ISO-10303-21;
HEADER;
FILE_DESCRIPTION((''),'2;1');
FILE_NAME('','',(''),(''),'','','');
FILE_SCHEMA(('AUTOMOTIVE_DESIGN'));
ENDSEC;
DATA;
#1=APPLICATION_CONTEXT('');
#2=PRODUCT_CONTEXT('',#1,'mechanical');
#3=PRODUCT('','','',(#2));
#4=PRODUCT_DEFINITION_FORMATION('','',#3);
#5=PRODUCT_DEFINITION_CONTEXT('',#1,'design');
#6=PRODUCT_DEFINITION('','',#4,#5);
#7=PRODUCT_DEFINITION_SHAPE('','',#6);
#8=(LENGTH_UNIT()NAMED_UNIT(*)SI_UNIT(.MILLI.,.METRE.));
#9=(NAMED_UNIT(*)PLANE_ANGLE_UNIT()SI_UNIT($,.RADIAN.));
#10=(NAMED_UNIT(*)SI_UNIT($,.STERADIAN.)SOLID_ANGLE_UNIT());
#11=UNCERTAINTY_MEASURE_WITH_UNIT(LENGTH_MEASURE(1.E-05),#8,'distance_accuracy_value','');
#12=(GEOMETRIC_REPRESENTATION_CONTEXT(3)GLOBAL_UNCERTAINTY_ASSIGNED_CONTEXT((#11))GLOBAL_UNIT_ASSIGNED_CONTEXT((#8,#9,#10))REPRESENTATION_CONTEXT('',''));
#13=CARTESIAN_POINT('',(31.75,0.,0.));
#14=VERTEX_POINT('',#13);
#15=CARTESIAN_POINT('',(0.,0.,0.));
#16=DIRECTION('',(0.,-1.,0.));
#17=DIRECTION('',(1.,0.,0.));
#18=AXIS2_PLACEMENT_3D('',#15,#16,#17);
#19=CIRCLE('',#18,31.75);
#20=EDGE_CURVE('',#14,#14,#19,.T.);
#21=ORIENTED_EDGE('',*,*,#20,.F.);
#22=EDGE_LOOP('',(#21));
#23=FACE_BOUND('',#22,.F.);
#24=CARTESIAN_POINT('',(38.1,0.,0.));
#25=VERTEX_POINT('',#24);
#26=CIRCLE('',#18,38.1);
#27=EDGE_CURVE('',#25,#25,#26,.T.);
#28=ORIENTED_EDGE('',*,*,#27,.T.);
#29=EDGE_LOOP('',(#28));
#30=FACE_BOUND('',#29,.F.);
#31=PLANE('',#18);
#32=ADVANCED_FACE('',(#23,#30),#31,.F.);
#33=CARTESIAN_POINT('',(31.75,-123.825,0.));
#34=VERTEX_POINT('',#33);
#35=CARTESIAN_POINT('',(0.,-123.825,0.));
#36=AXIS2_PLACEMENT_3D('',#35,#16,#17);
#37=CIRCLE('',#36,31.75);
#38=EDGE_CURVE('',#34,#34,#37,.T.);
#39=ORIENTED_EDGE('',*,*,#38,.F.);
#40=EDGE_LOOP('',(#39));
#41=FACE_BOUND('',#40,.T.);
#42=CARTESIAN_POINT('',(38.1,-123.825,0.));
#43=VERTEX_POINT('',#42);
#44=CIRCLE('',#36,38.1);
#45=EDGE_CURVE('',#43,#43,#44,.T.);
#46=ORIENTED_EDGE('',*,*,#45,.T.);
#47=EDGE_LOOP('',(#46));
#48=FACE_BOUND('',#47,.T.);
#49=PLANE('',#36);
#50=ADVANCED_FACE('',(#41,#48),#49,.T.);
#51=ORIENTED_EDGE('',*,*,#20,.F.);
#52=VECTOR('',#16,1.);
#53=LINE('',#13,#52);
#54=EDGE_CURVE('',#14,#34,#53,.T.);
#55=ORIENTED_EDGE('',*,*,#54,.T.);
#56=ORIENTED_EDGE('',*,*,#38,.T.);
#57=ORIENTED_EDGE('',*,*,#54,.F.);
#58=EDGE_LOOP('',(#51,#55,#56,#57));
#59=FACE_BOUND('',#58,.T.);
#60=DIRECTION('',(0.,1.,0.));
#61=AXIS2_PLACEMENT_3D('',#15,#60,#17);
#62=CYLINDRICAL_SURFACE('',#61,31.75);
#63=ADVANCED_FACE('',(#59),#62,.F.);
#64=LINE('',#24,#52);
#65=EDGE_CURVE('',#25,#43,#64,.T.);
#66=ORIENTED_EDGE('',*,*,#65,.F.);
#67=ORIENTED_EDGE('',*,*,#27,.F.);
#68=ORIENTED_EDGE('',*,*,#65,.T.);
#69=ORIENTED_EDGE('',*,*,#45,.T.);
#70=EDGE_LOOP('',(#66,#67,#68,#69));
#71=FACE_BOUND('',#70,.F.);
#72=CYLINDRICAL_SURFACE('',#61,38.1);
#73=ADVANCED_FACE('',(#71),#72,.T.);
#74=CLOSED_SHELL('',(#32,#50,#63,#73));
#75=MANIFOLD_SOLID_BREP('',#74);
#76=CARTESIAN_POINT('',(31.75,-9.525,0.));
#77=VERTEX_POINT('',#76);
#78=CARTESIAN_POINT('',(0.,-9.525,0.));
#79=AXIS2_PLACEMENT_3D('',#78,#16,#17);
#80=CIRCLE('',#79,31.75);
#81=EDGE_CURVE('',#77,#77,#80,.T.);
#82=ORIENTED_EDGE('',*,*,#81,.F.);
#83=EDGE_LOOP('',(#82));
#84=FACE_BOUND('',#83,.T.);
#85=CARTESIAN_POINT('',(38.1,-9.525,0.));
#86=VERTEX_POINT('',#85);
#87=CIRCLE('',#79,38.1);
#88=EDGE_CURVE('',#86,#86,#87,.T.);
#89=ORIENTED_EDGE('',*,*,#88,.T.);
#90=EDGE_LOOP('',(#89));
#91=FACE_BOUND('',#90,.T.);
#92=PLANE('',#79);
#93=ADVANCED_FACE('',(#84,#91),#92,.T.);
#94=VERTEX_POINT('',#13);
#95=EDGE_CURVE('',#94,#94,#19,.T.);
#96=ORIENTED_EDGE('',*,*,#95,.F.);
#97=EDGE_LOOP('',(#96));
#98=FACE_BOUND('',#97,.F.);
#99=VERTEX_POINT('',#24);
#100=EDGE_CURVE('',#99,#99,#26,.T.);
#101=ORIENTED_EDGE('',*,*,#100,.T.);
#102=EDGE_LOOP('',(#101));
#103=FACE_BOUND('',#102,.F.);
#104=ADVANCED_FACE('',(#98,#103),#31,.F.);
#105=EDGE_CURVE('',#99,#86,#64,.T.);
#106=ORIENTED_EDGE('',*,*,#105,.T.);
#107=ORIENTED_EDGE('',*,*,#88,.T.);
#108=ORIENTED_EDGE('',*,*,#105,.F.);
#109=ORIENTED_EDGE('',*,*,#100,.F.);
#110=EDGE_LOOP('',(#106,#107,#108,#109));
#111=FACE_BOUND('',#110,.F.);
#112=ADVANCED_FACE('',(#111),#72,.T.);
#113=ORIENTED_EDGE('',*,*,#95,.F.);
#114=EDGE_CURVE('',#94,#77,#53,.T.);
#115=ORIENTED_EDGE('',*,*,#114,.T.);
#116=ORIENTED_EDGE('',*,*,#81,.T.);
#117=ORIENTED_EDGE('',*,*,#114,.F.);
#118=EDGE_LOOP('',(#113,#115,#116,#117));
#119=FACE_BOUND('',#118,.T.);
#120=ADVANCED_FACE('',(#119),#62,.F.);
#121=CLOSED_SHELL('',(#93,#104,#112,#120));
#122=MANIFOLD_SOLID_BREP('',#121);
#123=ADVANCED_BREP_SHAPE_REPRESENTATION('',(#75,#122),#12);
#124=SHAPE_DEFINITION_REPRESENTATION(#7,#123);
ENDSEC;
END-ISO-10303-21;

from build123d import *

# Parameters (mm, degrees)
F0_R     = 38.1
F0_R_2   = 31.75
F1_DEPTH = 123.825
F2_DEPTH = 9.525


with BuildPart() as f1:
    # F0 (on Front) → F1 (new body)
    with BuildSketch(Plane.XZ):
        Circle(F0_R)
        Circle(F0_R_2, mode=Mode.SUBTRACT)
    extrude(amount=F1_DEPTH)


with BuildPart() as f2:
    # F0 (on Front) → F2 (new body)
    with BuildSketch(Plane.XZ):
        Circle(F0_R)
        Circle(F0_R_2, mode=Mode.SUBTRACT)
    extrude(amount=F2_DEPTH)


solid = Compound([f1.part, f2.part])
